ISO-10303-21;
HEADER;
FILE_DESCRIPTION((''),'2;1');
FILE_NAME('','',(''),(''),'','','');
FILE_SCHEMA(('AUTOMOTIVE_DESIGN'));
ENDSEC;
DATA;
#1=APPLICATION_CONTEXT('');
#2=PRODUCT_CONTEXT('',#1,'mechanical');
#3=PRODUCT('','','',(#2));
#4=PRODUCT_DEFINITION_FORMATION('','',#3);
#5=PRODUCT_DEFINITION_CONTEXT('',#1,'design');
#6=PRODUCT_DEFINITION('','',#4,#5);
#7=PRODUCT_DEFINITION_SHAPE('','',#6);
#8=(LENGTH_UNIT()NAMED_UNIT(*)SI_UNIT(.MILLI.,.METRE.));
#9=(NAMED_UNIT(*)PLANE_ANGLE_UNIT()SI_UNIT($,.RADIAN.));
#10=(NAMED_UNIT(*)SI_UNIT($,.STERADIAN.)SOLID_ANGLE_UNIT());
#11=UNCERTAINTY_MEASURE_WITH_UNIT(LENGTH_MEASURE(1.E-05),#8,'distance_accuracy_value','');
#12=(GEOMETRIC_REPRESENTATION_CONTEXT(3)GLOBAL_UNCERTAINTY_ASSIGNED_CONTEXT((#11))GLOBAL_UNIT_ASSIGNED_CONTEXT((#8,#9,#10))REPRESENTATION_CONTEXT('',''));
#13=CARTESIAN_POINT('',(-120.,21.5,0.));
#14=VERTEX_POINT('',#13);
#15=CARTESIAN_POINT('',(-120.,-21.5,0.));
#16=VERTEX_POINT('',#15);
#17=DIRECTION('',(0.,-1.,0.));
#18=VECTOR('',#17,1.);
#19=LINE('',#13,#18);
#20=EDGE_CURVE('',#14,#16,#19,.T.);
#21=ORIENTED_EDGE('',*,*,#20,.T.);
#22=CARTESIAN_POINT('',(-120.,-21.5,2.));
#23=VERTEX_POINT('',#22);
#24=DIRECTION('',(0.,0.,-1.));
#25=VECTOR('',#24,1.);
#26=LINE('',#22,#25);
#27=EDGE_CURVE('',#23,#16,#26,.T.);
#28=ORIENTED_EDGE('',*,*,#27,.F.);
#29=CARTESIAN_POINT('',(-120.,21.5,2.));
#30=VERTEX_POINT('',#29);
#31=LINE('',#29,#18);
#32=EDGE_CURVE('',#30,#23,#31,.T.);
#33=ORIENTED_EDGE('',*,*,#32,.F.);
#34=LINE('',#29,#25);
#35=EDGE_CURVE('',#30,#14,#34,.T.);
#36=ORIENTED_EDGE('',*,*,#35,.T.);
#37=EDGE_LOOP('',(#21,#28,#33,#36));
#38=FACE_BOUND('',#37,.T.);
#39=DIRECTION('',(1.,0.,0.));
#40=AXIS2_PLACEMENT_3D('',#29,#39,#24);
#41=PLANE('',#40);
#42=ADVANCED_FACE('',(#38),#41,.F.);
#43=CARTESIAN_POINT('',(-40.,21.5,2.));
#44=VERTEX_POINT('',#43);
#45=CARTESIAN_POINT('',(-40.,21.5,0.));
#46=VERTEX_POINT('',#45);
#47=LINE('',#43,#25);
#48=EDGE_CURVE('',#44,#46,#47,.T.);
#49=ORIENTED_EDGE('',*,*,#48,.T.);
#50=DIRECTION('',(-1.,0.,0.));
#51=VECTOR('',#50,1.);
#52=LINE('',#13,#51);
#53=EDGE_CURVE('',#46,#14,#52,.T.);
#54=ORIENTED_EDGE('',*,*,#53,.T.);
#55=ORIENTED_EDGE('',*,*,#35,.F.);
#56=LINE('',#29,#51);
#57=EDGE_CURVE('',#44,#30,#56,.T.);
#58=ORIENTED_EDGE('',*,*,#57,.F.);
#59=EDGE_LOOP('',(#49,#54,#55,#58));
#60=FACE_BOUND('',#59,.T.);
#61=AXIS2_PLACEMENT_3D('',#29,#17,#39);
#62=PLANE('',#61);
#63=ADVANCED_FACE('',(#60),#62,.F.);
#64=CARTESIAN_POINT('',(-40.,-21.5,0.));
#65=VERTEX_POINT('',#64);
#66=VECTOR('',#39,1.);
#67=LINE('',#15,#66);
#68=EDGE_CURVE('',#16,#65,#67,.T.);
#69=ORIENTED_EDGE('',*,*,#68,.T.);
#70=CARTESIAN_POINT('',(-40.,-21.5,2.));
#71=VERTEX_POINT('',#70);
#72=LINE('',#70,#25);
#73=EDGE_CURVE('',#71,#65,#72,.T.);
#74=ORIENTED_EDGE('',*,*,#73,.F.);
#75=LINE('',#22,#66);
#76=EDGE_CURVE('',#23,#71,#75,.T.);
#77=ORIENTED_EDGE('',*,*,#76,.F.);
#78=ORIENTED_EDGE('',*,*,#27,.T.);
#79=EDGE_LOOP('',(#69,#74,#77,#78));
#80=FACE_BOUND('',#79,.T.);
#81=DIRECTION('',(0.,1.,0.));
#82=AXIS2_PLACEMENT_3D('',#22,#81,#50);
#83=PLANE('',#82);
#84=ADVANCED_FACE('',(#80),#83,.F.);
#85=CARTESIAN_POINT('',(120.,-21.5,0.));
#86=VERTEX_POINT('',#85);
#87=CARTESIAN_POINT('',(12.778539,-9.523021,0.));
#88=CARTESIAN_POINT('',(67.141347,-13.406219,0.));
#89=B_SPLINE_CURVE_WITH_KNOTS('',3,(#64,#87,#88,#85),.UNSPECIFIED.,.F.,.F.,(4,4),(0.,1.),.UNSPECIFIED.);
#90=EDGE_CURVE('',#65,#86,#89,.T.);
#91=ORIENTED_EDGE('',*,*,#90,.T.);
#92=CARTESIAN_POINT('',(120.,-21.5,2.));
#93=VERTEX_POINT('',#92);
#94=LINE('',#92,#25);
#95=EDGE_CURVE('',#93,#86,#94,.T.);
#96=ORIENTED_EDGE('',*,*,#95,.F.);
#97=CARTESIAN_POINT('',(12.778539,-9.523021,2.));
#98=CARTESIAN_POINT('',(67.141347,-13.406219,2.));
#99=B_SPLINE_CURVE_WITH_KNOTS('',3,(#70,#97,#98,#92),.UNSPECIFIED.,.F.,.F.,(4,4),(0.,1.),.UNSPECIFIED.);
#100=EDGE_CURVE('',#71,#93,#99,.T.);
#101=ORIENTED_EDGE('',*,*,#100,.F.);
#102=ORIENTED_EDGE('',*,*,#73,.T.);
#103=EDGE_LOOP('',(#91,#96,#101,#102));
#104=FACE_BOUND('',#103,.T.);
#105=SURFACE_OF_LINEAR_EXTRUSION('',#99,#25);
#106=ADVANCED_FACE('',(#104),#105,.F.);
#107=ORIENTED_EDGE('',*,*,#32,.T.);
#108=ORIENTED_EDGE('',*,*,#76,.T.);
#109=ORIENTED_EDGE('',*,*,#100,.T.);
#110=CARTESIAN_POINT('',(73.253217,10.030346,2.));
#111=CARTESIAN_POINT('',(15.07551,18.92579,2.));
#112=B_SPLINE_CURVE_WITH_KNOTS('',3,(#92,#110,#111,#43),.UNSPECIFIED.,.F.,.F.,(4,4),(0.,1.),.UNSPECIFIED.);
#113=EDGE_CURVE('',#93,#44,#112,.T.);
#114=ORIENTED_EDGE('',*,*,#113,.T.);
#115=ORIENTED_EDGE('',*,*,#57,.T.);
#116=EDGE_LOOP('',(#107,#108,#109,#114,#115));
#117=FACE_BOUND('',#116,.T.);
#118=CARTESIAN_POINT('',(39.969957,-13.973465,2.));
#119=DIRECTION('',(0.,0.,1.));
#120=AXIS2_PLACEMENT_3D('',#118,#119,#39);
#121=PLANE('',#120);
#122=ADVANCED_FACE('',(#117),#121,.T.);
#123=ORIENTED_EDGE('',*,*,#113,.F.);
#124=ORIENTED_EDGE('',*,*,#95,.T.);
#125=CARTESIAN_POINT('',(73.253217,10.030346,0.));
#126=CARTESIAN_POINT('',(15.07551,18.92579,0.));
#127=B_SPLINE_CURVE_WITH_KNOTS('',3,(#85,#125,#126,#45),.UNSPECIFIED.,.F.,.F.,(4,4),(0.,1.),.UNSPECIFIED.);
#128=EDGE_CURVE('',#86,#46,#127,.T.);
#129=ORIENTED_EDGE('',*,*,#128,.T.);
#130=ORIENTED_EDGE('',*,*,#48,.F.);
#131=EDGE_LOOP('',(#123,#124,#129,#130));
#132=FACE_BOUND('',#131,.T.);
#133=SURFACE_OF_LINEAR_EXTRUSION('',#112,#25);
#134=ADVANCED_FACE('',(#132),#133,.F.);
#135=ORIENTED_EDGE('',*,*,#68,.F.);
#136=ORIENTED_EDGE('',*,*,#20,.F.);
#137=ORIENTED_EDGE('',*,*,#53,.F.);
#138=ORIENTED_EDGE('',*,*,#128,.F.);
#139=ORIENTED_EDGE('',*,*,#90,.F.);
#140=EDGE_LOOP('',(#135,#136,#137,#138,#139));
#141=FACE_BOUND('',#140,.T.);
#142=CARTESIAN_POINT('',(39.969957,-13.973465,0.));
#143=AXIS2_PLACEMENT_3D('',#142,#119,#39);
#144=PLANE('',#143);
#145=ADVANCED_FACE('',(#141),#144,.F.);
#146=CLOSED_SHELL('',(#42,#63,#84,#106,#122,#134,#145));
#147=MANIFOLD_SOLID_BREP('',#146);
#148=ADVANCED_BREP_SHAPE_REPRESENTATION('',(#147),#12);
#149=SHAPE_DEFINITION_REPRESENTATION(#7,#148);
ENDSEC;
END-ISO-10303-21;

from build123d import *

# Parameters (mm, degrees)
BOSS_EXTRUDE1_DEPTH = 2


with BuildPart() as part:
    # Sketch1 → Boss-Extrude1 (new body)
    with BuildSketch(Plane.XY):
        with BuildLine():
            Line((-120, 21.5), (-40, 21.5))
            add(Edge.make_bspline(
                [(-40, 21.5), (15.075510425, 18.925789545), (73.253217354, 10.030346032), (120, -21.5)],
                knots=[0, 0, 0, 0, 1, 1, 1, 1], degree=3))
            add(Edge.make_bspline(
                [(-40, -21.5), (12.778539399, -9.52302093), (67.141346764, -13.406218695), (120, -21.5)],
                knots=[0, 0, 0, 0, 1, 1, 1, 1], degree=3))
            Line((-40, -21.5), (-120, -21.5))
            Line((-120, -21.5), (-120, 21.5))
        make_face()
    extrude(amount=BOSS_EXTRUDE1_DEPTH)


solid = part.part
